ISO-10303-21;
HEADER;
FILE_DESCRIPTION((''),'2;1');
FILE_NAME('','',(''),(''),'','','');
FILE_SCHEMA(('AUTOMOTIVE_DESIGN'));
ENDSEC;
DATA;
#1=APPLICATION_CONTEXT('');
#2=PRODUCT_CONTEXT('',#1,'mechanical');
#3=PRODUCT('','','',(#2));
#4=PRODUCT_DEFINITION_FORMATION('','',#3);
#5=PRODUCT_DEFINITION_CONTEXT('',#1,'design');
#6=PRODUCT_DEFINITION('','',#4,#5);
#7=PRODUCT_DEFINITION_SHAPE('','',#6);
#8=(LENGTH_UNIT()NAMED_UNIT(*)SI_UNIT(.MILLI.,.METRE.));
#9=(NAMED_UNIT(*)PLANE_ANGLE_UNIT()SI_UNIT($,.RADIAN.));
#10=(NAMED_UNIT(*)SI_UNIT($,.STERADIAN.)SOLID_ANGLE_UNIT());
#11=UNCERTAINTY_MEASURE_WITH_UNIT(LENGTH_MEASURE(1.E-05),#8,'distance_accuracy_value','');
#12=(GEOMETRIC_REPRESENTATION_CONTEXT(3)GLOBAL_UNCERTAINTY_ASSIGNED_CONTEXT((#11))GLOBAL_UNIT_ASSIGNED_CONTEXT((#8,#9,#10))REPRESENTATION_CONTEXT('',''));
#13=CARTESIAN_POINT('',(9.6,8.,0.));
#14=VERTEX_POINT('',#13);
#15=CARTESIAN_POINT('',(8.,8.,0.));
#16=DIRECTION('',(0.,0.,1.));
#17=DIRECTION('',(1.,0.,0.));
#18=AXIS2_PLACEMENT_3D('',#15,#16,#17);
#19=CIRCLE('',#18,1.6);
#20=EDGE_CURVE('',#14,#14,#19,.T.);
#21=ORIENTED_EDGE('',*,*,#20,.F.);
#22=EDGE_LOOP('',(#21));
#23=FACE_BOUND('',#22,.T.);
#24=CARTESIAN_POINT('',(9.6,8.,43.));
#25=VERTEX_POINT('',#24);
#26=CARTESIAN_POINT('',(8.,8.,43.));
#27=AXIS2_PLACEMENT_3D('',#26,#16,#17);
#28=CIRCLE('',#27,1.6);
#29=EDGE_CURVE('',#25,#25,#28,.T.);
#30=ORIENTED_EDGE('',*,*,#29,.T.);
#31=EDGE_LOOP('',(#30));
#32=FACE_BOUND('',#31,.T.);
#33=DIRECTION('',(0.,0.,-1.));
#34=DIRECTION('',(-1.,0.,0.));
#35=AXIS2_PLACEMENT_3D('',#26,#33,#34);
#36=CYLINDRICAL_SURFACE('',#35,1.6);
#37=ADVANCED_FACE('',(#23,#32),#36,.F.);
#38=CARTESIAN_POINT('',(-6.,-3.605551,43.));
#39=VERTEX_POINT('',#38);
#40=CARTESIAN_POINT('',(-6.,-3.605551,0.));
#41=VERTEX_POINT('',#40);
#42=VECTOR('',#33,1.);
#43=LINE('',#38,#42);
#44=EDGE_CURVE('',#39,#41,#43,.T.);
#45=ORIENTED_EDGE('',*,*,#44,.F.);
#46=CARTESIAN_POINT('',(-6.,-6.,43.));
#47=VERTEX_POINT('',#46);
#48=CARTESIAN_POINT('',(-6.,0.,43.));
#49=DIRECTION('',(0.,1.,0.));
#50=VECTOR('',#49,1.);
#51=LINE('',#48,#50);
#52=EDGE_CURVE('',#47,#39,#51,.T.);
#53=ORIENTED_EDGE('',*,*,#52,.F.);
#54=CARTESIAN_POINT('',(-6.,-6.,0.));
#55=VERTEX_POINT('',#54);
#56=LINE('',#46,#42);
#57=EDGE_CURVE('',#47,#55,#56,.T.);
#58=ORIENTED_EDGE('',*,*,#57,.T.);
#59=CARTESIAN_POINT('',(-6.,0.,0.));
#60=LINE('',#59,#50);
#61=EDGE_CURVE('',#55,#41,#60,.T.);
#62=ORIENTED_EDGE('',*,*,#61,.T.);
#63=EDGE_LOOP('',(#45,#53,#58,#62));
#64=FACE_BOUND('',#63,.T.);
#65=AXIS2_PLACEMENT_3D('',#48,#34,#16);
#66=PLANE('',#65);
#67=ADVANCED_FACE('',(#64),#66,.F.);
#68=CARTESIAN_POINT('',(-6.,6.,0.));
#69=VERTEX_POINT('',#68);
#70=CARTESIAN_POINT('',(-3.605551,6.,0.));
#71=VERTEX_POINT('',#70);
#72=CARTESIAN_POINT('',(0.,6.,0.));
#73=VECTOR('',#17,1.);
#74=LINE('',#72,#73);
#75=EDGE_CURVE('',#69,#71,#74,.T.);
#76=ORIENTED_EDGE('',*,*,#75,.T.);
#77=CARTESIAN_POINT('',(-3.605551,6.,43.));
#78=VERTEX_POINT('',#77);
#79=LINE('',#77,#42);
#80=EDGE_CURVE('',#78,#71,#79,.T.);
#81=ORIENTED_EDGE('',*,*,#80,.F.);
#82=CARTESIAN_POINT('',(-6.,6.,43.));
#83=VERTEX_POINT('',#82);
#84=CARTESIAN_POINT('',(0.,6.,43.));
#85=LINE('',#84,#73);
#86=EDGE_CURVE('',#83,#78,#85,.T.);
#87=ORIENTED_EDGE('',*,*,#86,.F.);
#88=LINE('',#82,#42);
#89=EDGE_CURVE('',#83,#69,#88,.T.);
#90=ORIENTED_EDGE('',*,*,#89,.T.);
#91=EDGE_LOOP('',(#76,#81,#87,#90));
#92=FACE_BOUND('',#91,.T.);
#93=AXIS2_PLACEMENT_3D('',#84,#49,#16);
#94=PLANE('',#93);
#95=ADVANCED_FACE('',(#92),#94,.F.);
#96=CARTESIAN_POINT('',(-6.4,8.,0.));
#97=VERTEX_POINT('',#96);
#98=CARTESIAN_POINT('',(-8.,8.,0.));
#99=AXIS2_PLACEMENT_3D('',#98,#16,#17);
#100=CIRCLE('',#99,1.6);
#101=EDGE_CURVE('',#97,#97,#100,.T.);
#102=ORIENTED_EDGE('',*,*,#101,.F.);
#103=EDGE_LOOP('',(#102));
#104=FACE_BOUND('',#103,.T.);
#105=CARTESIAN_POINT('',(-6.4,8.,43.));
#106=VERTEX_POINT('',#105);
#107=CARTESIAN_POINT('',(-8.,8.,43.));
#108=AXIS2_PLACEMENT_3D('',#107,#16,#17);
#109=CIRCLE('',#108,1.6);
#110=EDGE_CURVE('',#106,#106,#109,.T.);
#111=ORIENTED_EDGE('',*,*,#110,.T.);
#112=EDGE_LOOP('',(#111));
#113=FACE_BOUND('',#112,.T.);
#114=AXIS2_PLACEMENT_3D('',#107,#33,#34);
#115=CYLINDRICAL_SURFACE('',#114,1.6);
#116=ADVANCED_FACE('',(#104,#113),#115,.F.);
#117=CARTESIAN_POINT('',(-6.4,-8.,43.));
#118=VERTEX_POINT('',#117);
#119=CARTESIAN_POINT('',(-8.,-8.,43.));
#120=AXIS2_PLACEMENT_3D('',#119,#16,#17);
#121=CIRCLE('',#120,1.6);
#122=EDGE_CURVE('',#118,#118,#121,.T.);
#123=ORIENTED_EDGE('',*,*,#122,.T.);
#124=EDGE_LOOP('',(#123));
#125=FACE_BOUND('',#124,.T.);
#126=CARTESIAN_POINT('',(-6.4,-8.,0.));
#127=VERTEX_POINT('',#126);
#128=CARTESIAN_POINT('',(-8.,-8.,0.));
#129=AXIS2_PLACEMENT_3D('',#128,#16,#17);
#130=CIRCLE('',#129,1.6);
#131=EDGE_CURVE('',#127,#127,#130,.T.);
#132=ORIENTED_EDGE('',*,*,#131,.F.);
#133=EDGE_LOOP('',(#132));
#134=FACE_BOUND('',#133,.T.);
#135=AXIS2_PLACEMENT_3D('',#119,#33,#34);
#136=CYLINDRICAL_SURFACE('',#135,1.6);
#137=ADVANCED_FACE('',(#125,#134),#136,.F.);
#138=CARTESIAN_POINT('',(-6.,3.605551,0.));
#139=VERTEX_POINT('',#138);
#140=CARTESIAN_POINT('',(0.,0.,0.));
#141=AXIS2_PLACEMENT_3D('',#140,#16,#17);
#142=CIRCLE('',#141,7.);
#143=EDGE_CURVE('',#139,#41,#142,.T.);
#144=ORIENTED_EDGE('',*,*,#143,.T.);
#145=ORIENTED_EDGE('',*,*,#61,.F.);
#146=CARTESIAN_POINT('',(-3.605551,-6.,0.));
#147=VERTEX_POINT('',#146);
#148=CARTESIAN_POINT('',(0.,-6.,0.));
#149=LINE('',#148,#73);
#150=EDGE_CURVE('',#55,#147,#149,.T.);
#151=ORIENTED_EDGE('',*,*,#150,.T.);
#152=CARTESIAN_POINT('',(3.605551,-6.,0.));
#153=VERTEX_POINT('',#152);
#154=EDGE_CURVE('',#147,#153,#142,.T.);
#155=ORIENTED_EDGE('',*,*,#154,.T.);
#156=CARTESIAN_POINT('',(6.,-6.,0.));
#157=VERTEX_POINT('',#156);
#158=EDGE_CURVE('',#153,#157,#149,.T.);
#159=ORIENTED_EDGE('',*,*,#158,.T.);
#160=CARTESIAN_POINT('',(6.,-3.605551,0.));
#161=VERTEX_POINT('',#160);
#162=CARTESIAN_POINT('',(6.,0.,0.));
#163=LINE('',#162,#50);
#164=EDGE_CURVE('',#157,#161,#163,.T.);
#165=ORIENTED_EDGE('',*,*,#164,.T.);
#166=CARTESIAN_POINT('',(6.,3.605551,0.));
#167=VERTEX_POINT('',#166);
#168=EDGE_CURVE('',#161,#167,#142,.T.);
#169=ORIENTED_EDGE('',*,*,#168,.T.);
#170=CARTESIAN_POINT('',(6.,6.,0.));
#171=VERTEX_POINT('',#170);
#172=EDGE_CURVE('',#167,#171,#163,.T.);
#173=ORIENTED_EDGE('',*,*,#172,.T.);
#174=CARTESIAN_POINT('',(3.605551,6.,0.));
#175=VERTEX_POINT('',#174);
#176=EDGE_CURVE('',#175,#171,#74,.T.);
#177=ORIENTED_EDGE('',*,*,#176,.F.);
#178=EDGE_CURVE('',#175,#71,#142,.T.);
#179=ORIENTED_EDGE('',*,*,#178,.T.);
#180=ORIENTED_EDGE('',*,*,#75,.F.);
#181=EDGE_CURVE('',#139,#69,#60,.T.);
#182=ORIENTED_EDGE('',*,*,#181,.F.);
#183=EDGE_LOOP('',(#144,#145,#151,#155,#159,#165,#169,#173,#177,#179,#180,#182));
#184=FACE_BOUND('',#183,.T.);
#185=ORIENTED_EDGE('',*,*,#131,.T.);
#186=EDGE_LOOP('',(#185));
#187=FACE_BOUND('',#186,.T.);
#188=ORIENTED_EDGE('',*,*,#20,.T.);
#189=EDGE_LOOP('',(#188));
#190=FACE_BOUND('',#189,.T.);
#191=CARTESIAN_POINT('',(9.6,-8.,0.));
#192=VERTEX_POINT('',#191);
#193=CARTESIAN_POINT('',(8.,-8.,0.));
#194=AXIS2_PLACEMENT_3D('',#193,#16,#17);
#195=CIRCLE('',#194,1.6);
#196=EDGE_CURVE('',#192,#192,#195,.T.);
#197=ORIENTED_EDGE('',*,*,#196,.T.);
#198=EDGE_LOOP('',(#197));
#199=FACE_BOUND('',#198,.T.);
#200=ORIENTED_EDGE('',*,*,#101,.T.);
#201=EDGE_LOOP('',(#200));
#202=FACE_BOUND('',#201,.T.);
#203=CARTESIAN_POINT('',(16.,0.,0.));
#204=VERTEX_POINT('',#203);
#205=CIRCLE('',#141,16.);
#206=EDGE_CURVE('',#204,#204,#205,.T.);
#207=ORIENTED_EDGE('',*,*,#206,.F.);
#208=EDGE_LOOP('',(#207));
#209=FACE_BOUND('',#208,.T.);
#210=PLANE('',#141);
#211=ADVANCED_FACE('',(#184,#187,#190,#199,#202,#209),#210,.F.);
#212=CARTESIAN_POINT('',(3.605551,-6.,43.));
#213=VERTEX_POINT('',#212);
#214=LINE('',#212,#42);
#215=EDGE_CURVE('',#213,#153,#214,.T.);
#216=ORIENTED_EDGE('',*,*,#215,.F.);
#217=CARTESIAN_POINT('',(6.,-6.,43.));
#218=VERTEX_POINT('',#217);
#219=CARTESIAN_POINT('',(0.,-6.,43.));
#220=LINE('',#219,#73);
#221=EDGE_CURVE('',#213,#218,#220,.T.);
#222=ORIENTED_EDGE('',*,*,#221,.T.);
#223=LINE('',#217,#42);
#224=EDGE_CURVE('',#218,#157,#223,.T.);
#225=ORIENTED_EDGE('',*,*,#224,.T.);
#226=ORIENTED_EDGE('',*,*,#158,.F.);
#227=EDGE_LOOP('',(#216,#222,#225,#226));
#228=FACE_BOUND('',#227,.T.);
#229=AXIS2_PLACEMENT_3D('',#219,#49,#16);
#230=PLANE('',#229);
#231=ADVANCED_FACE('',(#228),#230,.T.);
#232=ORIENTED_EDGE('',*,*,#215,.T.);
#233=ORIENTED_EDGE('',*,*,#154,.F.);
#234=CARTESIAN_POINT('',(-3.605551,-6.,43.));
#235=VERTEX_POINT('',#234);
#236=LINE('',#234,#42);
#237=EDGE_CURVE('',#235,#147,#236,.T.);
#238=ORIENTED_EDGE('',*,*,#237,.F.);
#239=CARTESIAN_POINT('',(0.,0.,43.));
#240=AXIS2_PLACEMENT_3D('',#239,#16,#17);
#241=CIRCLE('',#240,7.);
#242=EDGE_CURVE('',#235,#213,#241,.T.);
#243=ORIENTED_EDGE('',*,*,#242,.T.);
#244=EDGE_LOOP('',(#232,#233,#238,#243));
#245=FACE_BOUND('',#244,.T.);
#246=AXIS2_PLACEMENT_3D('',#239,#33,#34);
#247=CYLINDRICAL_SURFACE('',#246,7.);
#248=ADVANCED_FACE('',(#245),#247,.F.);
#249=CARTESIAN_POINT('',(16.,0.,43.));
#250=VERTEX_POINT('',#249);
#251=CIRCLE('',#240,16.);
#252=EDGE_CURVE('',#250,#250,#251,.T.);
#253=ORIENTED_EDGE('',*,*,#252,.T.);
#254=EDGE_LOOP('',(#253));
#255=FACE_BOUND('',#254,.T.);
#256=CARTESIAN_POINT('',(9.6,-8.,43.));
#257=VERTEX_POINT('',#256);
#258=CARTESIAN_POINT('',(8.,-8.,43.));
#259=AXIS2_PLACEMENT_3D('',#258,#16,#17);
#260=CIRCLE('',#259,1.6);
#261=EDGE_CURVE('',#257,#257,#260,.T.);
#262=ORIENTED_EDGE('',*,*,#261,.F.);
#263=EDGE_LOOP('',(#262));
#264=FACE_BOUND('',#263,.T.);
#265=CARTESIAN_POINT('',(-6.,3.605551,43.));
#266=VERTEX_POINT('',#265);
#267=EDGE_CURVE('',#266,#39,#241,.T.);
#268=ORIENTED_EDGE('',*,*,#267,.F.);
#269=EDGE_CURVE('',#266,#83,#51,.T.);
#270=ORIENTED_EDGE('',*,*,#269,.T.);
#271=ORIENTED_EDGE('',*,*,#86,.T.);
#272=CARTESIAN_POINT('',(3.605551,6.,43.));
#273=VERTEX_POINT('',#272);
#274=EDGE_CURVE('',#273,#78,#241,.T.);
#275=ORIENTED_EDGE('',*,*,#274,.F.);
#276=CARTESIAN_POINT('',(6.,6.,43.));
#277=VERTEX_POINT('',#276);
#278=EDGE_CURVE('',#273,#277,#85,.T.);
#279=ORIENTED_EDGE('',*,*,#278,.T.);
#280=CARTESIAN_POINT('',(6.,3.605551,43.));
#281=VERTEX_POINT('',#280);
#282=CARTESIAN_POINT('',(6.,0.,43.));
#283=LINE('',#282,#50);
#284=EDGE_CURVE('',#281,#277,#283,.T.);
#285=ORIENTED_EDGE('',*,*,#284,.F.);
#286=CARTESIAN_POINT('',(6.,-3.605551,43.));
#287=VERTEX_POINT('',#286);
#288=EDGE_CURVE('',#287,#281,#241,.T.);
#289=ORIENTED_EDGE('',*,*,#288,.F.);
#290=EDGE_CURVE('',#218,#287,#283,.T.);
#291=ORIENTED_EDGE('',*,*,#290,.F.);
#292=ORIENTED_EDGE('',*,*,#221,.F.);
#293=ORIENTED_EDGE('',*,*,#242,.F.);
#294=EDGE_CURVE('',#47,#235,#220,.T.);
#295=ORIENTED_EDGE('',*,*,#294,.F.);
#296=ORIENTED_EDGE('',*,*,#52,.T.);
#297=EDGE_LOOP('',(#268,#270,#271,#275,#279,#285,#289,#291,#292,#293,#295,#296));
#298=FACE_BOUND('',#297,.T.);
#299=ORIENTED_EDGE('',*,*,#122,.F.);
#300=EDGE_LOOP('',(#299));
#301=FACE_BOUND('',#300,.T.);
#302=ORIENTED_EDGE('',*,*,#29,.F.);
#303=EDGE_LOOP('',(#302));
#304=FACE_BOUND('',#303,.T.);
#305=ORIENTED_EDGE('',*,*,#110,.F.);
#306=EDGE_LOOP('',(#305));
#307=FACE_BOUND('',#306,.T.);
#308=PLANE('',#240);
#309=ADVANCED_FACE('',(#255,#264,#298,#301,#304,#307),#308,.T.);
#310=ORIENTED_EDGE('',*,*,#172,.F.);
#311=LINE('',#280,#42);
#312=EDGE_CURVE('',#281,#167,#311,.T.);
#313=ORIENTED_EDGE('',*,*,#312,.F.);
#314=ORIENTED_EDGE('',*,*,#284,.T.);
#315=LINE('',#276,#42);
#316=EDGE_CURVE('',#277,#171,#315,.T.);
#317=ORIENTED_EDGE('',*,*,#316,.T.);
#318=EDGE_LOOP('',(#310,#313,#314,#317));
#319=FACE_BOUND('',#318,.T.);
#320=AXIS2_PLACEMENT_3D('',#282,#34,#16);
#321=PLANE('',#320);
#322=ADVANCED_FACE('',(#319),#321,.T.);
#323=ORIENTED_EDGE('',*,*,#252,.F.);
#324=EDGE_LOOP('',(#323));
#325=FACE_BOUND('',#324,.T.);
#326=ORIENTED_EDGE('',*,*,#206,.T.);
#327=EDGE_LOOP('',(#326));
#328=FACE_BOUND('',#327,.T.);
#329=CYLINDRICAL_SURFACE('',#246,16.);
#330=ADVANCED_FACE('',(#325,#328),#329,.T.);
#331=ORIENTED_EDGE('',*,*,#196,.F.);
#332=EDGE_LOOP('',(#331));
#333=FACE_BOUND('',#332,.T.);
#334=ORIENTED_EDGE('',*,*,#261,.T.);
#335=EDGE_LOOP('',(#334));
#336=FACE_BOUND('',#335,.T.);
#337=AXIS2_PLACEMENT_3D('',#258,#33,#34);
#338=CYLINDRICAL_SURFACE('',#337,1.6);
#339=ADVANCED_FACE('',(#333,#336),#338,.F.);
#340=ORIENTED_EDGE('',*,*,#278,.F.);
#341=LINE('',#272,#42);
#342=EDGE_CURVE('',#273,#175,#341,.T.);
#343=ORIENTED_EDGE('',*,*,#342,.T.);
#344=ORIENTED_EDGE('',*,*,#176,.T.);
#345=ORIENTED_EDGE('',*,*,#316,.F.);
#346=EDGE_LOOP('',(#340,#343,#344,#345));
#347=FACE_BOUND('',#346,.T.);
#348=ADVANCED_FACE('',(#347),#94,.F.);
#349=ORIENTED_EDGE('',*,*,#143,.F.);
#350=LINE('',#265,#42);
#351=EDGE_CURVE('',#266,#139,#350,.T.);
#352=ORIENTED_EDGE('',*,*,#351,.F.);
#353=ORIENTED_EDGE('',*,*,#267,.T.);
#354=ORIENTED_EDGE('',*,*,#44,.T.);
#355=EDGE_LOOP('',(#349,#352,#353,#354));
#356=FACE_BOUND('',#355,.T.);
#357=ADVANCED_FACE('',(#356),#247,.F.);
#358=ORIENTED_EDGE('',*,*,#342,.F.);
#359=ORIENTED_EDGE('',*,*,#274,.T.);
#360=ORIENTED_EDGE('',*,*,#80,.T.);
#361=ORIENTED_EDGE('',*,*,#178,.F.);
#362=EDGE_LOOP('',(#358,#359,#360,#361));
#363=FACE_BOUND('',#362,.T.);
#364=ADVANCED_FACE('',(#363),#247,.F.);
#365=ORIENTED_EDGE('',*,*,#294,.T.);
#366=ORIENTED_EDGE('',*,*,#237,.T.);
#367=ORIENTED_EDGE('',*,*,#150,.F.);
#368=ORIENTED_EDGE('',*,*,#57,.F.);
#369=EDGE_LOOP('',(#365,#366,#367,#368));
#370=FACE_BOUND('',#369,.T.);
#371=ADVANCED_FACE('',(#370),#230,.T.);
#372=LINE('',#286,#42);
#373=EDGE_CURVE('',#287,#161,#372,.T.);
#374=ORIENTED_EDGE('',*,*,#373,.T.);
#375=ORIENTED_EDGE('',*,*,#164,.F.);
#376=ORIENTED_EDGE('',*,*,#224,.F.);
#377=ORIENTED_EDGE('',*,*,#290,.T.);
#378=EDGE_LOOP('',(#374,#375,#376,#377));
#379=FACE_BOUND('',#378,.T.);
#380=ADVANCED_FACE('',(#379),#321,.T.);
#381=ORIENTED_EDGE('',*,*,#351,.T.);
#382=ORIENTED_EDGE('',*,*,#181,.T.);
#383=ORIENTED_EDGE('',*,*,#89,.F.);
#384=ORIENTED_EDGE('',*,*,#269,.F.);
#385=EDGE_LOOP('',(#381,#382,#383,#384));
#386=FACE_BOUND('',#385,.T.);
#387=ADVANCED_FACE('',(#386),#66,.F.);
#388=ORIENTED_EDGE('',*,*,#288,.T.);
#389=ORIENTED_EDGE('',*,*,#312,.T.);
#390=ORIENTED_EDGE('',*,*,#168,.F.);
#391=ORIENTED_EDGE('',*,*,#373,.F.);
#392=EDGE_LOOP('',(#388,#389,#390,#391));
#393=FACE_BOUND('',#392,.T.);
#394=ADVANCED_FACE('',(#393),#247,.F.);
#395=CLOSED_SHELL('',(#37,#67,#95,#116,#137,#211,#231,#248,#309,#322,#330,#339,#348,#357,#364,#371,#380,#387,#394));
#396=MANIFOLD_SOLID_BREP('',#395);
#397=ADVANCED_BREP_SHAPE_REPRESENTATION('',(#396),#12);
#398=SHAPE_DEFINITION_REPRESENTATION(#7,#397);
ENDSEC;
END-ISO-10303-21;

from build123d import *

# Parameters (mm, degrees)
SKETCH1_R           = 16
SKETCH1_R_2         = 1.6
BOSS_EXTRUDE1_DEPTH = 43


with BuildPart() as part:
    # Sketch1 → Boss-Extrude1 (new body)
    with BuildSketch(Plane.XY):
        Circle(SKETCH1_R)
        with Locations((-8, -8)):
            Circle(SKETCH1_R_2, mode=Mode.SUBTRACT)
        with Locations((8, -8)):
            Circle(SKETCH1_R_2, mode=Mode.SUBTRACT)
        with Locations((-8, 8)):
            Circle(SKETCH1_R_2, mode=Mode.SUBTRACT)
        with BuildLine():
            Line((-3.605551275, -6), (-6, -6))
            Line((-6, -6), (-6, -3.605551275))
            ThreePointArc((-6, -3.605551275), (-7, 0), (-6, 3.605551275))
            Line((-6, 3.605551275), (-6, 6))
            Line((-6, 6), (-3.605551275, 6))
            ThreePointArc((-3.605551275, 6), (0, 7), (3.605551275, 6))
            Line((3.605551275, 6), (6, 6))
            Line((6, 6), (6, 3.605551275))
            ThreePointArc((6, 3.605551275), (6.745368782, 1.870828693), (7, 0))
            ThreePointArc((7, 0), (6.745368782, -1.870828693), (6, -3.605551275))
            Line((6, -3.605551275), (6, -6))
            Line((6, -6), (3.605551275, -6))
            ThreePointArc((3.605551275, -6), (0, -7), (-3.605551275, -6))
        make_face(mode=Mode.SUBTRACT)
        with Locations((8, 8)):
            Circle(SKETCH1_R_2, mode=Mode.SUBTRACT)
    extrude(amount=BOSS_EXTRUDE1_DEPTH)


solid = part.part
